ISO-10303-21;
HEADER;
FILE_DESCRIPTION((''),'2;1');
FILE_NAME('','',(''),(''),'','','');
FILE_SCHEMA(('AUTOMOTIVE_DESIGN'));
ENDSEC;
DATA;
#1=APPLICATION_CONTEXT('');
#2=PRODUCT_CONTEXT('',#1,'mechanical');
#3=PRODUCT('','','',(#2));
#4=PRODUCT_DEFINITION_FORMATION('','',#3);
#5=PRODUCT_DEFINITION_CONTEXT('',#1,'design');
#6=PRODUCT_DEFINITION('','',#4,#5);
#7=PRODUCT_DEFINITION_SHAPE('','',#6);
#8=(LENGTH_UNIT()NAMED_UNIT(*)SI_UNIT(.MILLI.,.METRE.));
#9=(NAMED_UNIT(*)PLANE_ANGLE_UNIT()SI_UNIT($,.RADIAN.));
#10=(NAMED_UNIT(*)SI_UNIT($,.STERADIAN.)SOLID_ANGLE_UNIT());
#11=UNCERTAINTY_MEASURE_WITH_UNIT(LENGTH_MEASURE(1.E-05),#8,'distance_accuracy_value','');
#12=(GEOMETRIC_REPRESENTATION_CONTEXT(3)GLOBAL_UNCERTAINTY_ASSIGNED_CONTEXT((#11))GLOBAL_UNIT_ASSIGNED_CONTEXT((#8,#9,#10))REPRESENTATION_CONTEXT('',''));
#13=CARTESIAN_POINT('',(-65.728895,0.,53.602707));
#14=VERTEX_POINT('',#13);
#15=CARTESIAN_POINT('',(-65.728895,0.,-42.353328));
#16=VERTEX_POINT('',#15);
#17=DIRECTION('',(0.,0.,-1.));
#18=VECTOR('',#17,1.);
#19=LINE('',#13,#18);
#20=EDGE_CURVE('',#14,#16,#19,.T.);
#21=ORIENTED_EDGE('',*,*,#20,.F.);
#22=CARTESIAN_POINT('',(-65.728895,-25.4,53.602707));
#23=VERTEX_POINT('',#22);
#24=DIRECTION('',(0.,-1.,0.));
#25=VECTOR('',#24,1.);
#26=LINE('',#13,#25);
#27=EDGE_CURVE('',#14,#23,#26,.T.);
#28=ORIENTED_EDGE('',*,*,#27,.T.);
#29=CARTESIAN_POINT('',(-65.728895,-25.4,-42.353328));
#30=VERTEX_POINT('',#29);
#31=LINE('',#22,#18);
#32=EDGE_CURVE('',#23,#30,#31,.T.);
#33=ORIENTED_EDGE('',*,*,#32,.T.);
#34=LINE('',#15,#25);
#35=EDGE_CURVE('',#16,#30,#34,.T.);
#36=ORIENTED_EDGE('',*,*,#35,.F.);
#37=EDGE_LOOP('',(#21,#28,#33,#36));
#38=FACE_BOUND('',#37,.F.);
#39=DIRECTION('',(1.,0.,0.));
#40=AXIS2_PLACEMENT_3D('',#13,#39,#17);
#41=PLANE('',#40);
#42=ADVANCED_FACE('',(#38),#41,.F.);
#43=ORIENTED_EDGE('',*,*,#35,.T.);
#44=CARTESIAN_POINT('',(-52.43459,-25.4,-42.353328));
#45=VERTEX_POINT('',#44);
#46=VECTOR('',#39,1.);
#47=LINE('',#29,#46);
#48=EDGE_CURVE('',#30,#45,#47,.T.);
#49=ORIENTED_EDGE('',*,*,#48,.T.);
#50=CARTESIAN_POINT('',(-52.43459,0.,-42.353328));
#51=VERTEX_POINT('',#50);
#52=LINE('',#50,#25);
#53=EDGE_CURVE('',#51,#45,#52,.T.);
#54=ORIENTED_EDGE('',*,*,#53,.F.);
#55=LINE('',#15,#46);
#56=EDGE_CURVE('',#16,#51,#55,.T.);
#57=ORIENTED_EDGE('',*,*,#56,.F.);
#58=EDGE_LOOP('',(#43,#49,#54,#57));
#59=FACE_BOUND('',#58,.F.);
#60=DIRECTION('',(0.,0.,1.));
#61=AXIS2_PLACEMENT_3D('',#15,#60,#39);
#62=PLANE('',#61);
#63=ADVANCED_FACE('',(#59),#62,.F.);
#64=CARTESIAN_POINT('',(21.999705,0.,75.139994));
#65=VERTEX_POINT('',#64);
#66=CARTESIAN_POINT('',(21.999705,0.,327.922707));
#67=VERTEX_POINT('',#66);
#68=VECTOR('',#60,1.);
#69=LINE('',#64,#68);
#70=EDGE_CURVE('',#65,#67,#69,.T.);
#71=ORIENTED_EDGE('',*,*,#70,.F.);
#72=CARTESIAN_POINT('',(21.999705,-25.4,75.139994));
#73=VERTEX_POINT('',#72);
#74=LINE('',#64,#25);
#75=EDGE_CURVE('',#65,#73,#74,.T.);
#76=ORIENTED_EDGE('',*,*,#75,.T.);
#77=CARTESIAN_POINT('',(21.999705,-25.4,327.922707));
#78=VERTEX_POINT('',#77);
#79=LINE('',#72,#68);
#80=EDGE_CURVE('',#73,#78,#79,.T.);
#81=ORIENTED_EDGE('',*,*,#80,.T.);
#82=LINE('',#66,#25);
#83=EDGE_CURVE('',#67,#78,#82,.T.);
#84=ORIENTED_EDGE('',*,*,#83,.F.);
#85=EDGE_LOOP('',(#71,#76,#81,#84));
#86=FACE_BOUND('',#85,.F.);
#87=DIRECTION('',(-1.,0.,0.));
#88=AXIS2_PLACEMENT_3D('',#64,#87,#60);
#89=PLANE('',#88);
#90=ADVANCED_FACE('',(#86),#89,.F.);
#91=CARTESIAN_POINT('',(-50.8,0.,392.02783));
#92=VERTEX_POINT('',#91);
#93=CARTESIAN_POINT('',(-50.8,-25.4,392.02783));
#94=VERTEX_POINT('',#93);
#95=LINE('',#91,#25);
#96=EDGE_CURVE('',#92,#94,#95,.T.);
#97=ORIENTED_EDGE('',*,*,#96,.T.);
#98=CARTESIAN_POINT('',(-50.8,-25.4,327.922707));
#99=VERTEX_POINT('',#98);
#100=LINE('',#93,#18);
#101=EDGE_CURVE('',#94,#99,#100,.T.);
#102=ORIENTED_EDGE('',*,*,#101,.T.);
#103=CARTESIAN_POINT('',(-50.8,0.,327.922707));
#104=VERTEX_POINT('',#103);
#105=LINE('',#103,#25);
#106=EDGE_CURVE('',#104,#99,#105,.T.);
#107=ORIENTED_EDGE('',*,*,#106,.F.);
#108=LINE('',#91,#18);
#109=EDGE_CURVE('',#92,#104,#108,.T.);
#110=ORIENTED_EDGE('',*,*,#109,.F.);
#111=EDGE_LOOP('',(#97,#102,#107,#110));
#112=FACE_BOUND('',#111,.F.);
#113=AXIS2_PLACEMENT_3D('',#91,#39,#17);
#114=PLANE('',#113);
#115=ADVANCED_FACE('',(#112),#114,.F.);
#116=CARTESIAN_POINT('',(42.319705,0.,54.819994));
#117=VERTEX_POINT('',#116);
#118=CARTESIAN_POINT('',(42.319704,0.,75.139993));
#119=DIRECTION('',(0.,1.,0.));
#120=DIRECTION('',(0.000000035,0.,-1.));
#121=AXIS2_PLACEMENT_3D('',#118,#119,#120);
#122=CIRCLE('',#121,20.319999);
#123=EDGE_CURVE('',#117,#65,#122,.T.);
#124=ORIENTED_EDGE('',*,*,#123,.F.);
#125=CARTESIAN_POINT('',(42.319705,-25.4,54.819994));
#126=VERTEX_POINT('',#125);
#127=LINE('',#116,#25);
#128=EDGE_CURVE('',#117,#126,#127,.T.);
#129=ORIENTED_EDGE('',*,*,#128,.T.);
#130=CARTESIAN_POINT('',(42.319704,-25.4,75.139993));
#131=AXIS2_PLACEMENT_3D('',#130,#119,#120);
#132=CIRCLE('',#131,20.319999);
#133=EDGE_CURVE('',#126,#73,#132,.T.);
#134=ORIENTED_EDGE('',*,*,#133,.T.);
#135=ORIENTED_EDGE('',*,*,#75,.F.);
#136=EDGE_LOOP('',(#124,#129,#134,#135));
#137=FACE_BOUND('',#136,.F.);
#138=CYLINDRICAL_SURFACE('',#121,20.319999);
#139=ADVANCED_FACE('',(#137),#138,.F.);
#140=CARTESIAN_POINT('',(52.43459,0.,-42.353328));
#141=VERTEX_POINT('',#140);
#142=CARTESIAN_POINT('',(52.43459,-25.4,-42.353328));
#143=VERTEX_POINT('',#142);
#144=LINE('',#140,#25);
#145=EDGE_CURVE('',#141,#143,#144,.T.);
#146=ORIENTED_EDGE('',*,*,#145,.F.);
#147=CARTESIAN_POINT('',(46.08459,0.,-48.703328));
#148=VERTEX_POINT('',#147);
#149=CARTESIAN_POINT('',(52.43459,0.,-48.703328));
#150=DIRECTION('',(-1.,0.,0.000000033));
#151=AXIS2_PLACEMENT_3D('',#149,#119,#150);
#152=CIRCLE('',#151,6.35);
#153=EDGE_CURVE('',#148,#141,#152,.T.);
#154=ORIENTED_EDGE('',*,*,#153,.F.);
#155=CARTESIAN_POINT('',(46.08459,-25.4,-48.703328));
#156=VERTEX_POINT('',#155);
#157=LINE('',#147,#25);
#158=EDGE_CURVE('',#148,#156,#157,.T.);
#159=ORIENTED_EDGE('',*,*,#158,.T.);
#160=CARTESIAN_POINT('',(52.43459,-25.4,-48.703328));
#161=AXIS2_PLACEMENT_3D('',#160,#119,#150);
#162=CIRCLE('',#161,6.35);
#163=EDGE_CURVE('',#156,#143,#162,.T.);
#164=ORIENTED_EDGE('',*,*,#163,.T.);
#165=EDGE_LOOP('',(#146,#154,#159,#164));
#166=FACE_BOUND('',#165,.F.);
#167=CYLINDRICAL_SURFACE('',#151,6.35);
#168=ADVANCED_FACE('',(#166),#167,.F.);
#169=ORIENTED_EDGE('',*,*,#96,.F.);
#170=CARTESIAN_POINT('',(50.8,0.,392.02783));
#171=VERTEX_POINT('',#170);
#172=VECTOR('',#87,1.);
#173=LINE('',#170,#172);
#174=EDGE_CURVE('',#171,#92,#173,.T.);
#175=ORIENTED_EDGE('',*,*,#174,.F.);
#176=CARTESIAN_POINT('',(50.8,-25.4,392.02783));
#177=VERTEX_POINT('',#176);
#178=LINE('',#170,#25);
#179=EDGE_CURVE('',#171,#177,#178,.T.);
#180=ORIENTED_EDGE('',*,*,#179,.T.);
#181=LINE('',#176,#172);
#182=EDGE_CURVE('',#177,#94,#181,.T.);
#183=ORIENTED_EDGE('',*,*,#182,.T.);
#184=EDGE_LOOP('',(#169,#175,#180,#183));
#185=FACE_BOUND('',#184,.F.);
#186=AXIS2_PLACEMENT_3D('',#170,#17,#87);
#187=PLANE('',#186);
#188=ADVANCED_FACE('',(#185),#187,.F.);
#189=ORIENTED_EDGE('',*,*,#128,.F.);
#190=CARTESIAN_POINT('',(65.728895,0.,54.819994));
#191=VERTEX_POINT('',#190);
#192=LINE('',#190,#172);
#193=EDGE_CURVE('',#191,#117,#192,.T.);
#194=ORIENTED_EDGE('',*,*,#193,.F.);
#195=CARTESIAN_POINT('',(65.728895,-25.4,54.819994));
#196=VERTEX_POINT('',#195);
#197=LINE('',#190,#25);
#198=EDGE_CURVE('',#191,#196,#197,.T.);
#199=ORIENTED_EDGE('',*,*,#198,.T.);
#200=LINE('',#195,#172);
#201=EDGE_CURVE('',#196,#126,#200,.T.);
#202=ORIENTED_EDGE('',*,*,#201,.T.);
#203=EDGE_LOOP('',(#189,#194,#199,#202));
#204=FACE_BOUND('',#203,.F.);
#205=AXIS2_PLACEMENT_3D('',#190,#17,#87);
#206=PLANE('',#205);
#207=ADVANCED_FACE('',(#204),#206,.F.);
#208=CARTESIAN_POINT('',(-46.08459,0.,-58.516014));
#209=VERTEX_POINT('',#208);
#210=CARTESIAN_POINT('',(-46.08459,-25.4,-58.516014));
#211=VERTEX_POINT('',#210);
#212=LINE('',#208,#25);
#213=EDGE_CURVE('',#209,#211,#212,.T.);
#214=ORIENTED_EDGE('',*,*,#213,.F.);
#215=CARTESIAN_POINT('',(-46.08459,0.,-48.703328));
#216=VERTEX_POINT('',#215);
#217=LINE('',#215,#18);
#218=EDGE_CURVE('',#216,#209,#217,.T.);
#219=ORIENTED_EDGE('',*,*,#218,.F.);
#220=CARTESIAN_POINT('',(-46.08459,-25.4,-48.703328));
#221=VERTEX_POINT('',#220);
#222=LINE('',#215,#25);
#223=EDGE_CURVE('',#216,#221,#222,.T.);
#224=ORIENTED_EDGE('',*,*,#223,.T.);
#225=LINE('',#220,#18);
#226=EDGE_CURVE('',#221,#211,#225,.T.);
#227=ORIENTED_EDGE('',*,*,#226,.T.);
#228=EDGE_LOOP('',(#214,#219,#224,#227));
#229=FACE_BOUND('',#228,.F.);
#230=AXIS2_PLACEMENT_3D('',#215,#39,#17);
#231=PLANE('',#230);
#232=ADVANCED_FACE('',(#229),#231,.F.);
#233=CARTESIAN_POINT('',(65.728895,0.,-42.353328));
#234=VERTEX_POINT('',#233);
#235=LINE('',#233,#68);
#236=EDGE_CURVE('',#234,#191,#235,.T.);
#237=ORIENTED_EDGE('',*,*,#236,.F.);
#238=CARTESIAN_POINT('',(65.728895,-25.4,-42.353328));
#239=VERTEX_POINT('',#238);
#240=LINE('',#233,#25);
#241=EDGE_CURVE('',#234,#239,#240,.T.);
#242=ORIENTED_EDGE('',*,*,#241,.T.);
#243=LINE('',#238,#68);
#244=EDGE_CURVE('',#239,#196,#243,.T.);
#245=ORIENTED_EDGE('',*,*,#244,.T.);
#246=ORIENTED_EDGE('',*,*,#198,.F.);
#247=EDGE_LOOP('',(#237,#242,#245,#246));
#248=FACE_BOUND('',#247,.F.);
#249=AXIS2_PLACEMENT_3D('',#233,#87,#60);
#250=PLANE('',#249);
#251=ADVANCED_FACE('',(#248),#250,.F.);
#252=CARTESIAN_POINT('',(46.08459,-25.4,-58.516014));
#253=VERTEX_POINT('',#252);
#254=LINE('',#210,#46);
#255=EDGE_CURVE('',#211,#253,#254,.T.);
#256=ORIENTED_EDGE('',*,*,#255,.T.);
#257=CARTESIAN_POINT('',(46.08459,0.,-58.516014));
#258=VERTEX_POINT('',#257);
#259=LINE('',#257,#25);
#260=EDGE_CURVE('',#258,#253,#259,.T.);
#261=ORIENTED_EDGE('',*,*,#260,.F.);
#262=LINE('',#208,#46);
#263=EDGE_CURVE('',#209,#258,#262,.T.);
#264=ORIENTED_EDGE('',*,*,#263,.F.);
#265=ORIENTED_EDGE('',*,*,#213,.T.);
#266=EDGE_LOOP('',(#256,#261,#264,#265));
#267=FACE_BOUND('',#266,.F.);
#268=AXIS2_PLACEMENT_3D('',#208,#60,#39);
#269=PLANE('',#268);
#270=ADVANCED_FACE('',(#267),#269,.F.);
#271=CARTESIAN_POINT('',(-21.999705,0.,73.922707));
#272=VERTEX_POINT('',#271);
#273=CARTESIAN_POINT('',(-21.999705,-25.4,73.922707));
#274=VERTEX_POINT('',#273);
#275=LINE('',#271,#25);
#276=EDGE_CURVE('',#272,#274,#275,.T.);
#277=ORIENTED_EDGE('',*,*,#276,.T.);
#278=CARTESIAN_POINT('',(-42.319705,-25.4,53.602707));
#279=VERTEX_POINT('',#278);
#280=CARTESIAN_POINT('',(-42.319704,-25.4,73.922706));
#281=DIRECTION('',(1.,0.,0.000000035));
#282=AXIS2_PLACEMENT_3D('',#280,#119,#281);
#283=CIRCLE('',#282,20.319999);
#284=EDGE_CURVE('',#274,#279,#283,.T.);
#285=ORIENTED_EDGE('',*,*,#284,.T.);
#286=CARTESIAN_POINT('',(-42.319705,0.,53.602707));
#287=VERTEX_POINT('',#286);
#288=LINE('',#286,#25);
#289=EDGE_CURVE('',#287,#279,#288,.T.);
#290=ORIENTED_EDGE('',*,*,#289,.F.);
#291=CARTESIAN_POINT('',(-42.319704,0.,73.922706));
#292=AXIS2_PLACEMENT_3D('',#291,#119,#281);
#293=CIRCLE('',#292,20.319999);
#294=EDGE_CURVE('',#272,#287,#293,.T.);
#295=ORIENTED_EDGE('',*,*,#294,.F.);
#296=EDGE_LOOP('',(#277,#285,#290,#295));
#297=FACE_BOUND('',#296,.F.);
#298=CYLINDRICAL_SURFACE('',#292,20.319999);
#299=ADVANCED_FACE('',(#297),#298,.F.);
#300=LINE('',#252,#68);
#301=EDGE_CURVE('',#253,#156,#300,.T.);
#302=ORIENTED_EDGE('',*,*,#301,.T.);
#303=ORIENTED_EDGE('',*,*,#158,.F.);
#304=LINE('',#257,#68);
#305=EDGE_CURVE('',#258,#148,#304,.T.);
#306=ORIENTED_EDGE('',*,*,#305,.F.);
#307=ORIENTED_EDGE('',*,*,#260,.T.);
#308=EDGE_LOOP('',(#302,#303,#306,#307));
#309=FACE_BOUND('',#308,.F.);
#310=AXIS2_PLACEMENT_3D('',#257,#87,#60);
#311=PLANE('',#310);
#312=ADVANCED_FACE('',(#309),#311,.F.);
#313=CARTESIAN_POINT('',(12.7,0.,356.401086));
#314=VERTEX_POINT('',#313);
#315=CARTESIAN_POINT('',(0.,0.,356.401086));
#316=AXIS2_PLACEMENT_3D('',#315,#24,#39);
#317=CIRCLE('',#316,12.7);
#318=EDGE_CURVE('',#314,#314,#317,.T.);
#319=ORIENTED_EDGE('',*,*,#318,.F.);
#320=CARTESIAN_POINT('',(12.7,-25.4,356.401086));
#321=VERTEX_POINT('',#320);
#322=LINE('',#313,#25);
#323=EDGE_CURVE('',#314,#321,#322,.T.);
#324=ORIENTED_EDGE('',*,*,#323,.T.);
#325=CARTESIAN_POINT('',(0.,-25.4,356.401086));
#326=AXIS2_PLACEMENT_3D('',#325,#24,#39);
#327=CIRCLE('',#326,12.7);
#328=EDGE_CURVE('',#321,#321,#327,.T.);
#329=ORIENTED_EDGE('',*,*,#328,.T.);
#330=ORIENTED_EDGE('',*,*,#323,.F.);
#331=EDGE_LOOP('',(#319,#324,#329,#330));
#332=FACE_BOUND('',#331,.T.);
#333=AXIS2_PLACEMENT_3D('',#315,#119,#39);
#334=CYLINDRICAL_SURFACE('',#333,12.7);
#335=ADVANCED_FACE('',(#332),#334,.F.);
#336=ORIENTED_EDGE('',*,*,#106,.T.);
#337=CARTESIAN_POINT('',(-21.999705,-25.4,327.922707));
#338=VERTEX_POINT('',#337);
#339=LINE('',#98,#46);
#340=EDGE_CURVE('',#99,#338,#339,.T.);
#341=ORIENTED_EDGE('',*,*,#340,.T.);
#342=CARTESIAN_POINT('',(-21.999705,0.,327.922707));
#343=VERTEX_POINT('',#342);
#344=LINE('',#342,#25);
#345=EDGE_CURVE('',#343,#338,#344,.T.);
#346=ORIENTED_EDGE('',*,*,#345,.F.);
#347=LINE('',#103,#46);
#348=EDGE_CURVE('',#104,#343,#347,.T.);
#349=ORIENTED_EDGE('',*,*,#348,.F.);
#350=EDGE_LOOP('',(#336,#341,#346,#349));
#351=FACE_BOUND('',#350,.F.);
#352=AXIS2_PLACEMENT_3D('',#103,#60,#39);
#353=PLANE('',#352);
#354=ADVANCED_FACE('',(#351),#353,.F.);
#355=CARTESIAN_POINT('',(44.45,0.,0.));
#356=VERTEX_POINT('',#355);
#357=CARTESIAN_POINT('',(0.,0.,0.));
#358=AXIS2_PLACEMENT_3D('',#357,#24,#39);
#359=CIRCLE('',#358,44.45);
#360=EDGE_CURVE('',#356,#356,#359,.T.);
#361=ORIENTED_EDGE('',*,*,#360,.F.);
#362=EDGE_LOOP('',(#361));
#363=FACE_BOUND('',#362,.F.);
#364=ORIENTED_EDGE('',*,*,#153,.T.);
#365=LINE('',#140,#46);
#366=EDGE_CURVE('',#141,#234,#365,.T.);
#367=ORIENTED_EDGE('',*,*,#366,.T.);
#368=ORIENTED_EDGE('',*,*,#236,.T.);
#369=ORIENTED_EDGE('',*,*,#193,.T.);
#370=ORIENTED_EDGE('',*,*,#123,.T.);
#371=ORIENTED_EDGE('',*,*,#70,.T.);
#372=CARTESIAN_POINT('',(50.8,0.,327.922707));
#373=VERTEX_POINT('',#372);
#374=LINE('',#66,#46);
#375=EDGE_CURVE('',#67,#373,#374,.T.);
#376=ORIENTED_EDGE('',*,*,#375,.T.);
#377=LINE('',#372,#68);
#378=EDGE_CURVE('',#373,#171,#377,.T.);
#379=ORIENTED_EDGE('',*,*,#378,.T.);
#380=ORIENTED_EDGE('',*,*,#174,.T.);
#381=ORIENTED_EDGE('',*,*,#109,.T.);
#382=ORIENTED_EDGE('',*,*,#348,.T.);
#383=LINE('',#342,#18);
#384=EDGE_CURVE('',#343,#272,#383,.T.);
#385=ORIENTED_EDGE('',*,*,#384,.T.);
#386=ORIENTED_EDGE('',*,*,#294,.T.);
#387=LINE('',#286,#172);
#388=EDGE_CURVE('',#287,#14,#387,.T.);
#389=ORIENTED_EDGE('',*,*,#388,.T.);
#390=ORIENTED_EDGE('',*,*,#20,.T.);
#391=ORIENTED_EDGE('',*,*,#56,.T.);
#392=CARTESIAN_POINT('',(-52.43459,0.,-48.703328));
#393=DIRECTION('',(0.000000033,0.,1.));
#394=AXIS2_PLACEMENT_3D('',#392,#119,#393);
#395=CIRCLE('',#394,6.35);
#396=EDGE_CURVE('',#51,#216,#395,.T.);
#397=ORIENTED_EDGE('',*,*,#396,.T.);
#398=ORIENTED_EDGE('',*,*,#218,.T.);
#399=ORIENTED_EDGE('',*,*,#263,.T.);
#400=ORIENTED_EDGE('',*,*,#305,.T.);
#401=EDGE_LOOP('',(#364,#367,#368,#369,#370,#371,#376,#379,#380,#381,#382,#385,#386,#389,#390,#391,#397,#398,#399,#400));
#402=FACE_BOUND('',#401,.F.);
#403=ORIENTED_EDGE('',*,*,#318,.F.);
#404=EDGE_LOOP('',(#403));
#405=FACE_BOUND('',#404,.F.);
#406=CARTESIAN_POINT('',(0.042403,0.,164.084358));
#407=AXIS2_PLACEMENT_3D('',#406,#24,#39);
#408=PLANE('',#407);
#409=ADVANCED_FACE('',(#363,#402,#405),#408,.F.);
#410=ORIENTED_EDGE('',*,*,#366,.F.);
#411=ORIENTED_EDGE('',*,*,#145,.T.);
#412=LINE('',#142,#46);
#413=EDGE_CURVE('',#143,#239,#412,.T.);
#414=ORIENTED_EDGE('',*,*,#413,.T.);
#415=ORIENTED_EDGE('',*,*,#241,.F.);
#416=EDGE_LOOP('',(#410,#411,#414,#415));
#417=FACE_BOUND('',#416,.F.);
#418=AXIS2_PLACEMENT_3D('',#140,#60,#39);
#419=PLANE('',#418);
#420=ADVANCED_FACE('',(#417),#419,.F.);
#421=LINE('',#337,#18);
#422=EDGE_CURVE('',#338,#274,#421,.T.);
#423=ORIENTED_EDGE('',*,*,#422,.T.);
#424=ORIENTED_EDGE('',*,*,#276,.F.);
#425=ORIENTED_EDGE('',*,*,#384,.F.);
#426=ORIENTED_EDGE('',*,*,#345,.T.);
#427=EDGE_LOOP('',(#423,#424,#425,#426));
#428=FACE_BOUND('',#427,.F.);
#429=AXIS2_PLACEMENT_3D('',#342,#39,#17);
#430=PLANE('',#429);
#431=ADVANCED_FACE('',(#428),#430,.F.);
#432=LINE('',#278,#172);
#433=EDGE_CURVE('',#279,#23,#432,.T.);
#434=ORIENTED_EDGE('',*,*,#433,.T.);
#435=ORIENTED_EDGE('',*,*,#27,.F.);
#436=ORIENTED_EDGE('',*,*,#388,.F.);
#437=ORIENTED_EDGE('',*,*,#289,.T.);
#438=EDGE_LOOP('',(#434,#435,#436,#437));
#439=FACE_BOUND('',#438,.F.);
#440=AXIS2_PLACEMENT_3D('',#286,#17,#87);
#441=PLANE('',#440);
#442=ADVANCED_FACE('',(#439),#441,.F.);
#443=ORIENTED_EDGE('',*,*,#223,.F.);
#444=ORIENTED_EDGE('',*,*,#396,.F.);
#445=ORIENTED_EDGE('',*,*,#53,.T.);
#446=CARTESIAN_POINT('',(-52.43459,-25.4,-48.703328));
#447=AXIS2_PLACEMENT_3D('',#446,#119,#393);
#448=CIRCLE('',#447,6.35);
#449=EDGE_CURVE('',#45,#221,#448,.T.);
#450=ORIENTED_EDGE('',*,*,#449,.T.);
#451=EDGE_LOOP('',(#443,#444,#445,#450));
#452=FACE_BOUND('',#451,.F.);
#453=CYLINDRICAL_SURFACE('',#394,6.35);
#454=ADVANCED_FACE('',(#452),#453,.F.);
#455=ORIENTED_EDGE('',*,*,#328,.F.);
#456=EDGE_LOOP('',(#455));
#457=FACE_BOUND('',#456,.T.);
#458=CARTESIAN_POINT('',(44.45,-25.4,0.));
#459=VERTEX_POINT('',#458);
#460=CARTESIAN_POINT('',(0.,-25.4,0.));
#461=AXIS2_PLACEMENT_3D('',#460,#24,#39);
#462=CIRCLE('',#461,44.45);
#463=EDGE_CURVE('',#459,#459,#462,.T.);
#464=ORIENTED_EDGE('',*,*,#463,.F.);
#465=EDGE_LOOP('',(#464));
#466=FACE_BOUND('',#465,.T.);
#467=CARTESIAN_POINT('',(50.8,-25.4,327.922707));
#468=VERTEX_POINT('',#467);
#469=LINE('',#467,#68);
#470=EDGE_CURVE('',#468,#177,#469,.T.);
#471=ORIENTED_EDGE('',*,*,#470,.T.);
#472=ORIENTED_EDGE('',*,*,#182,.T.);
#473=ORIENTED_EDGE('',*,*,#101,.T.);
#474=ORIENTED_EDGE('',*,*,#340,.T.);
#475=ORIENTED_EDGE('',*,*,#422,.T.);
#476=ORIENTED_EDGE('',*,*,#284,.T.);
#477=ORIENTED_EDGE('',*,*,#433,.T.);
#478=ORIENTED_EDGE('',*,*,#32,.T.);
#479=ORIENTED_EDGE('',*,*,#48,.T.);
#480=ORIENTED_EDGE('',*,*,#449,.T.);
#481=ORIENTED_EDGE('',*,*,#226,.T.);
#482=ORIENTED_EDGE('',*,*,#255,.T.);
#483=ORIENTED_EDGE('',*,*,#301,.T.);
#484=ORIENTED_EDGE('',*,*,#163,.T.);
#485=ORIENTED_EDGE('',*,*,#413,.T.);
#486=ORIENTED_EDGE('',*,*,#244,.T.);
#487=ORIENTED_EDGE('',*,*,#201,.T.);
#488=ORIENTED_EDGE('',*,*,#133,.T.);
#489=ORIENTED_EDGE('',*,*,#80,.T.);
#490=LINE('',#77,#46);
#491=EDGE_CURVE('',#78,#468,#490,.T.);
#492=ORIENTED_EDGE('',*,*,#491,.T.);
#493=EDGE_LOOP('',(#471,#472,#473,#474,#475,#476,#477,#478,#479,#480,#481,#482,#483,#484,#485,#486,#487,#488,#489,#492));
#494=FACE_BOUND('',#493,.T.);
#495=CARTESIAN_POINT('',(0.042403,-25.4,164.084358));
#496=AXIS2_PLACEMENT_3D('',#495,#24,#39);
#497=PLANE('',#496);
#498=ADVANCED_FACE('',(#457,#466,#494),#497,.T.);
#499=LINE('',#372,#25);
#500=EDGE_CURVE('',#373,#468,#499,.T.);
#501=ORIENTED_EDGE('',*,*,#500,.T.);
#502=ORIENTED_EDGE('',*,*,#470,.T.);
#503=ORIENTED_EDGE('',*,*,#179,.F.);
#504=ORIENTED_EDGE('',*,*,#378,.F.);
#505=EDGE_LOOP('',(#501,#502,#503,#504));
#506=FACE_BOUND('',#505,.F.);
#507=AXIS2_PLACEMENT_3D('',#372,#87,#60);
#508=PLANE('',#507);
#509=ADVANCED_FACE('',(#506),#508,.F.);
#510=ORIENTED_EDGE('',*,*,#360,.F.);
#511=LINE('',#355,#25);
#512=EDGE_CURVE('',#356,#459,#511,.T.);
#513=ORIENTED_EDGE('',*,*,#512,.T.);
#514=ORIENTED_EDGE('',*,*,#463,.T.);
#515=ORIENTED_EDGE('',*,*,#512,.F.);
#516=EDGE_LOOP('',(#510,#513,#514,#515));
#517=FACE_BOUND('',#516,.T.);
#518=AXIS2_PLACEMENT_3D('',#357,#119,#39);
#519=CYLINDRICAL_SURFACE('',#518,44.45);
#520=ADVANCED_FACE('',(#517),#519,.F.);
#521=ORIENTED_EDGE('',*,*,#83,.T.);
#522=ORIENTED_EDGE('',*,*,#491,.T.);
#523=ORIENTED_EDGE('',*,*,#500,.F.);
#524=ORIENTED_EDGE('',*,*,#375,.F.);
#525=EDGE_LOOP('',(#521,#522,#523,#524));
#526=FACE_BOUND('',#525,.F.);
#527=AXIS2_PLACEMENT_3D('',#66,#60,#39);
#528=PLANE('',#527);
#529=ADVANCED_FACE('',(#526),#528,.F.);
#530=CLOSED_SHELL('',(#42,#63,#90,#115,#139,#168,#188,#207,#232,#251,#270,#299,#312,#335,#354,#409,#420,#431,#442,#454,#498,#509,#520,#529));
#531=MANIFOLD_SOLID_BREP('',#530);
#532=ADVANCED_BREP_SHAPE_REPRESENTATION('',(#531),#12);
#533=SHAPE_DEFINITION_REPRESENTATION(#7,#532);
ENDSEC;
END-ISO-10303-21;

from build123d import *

# Parameters (mm, degrees)
F0_R     = 44.45
F0_R_2   = 12.7
F1_DEPTH = 25.4


with BuildPart() as f1:
    # F0 (on Front) → F1 (new body)
    with BuildSketch(Plane.XZ):
        with BuildLine():
            Line((-46.08459, -48.703328), (-46.08459, -58.516014))
            Line((-46.08459, -58.516014), (46.08459, -58.516014))
            Line((46.08459, -58.516014), (46.08459, -48.703328))
            ThreePointArc((46.08459, -48.703328), (47.944462, -44.2132), (52.43459, -42.353328))
            Line((52.43459, -42.353328), (65.728895, -42.353328))
            Line((65.728895, -42.353328), (65.728895, 54.819994))
            Line((65.728895, 54.819994), (42.319705, 54.819994))
            ThreePointArc((42.319705, 54.819994), (27.951295, 60.771584), (21.999705, 75.139994))
            Line((21.999705, 75.139994), (21.999705, 327.922707))
            Line((21.999705, 327.922707), (50.8, 327.922707))
            Line((50.8, 327.922707), (50.8, 392.02783))
            Line((50.8, 392.02783), (-50.8, 392.02783))
            Line((-50.8, 392.02783), (-50.8, 327.922707))
            Line((-50.8, 327.922707), (-21.999705, 327.922707))
            Line((-21.999705, 327.922707), (-21.999705, 321.452414))
            Line((-21.999705, 321.452414), (-21.999705, 73.922707))
            ThreePointArc((-21.999705, 73.922707), (-27.951295, 59.554297), (-42.319705, 53.602707))
            Line((-42.319705, 53.602707), (-65.728895, 53.602707))
            Line((-65.728895, 53.602707), (-65.728895, -42.353328))
            Line((-65.728895, -42.353328), (-52.43459, -42.353328))
            ThreePointArc((-52.43459, -42.353328), (-47.944462, -44.2132), (-46.08459, -48.703328))
        make_face()
        Circle(F0_R, mode=Mode.SUBTRACT)
        with Locations((0, 356.401086)):
            Circle(F0_R_2, mode=Mode.SUBTRACT)
    extrude(amount=F1_DEPTH)


solid = f1.part
